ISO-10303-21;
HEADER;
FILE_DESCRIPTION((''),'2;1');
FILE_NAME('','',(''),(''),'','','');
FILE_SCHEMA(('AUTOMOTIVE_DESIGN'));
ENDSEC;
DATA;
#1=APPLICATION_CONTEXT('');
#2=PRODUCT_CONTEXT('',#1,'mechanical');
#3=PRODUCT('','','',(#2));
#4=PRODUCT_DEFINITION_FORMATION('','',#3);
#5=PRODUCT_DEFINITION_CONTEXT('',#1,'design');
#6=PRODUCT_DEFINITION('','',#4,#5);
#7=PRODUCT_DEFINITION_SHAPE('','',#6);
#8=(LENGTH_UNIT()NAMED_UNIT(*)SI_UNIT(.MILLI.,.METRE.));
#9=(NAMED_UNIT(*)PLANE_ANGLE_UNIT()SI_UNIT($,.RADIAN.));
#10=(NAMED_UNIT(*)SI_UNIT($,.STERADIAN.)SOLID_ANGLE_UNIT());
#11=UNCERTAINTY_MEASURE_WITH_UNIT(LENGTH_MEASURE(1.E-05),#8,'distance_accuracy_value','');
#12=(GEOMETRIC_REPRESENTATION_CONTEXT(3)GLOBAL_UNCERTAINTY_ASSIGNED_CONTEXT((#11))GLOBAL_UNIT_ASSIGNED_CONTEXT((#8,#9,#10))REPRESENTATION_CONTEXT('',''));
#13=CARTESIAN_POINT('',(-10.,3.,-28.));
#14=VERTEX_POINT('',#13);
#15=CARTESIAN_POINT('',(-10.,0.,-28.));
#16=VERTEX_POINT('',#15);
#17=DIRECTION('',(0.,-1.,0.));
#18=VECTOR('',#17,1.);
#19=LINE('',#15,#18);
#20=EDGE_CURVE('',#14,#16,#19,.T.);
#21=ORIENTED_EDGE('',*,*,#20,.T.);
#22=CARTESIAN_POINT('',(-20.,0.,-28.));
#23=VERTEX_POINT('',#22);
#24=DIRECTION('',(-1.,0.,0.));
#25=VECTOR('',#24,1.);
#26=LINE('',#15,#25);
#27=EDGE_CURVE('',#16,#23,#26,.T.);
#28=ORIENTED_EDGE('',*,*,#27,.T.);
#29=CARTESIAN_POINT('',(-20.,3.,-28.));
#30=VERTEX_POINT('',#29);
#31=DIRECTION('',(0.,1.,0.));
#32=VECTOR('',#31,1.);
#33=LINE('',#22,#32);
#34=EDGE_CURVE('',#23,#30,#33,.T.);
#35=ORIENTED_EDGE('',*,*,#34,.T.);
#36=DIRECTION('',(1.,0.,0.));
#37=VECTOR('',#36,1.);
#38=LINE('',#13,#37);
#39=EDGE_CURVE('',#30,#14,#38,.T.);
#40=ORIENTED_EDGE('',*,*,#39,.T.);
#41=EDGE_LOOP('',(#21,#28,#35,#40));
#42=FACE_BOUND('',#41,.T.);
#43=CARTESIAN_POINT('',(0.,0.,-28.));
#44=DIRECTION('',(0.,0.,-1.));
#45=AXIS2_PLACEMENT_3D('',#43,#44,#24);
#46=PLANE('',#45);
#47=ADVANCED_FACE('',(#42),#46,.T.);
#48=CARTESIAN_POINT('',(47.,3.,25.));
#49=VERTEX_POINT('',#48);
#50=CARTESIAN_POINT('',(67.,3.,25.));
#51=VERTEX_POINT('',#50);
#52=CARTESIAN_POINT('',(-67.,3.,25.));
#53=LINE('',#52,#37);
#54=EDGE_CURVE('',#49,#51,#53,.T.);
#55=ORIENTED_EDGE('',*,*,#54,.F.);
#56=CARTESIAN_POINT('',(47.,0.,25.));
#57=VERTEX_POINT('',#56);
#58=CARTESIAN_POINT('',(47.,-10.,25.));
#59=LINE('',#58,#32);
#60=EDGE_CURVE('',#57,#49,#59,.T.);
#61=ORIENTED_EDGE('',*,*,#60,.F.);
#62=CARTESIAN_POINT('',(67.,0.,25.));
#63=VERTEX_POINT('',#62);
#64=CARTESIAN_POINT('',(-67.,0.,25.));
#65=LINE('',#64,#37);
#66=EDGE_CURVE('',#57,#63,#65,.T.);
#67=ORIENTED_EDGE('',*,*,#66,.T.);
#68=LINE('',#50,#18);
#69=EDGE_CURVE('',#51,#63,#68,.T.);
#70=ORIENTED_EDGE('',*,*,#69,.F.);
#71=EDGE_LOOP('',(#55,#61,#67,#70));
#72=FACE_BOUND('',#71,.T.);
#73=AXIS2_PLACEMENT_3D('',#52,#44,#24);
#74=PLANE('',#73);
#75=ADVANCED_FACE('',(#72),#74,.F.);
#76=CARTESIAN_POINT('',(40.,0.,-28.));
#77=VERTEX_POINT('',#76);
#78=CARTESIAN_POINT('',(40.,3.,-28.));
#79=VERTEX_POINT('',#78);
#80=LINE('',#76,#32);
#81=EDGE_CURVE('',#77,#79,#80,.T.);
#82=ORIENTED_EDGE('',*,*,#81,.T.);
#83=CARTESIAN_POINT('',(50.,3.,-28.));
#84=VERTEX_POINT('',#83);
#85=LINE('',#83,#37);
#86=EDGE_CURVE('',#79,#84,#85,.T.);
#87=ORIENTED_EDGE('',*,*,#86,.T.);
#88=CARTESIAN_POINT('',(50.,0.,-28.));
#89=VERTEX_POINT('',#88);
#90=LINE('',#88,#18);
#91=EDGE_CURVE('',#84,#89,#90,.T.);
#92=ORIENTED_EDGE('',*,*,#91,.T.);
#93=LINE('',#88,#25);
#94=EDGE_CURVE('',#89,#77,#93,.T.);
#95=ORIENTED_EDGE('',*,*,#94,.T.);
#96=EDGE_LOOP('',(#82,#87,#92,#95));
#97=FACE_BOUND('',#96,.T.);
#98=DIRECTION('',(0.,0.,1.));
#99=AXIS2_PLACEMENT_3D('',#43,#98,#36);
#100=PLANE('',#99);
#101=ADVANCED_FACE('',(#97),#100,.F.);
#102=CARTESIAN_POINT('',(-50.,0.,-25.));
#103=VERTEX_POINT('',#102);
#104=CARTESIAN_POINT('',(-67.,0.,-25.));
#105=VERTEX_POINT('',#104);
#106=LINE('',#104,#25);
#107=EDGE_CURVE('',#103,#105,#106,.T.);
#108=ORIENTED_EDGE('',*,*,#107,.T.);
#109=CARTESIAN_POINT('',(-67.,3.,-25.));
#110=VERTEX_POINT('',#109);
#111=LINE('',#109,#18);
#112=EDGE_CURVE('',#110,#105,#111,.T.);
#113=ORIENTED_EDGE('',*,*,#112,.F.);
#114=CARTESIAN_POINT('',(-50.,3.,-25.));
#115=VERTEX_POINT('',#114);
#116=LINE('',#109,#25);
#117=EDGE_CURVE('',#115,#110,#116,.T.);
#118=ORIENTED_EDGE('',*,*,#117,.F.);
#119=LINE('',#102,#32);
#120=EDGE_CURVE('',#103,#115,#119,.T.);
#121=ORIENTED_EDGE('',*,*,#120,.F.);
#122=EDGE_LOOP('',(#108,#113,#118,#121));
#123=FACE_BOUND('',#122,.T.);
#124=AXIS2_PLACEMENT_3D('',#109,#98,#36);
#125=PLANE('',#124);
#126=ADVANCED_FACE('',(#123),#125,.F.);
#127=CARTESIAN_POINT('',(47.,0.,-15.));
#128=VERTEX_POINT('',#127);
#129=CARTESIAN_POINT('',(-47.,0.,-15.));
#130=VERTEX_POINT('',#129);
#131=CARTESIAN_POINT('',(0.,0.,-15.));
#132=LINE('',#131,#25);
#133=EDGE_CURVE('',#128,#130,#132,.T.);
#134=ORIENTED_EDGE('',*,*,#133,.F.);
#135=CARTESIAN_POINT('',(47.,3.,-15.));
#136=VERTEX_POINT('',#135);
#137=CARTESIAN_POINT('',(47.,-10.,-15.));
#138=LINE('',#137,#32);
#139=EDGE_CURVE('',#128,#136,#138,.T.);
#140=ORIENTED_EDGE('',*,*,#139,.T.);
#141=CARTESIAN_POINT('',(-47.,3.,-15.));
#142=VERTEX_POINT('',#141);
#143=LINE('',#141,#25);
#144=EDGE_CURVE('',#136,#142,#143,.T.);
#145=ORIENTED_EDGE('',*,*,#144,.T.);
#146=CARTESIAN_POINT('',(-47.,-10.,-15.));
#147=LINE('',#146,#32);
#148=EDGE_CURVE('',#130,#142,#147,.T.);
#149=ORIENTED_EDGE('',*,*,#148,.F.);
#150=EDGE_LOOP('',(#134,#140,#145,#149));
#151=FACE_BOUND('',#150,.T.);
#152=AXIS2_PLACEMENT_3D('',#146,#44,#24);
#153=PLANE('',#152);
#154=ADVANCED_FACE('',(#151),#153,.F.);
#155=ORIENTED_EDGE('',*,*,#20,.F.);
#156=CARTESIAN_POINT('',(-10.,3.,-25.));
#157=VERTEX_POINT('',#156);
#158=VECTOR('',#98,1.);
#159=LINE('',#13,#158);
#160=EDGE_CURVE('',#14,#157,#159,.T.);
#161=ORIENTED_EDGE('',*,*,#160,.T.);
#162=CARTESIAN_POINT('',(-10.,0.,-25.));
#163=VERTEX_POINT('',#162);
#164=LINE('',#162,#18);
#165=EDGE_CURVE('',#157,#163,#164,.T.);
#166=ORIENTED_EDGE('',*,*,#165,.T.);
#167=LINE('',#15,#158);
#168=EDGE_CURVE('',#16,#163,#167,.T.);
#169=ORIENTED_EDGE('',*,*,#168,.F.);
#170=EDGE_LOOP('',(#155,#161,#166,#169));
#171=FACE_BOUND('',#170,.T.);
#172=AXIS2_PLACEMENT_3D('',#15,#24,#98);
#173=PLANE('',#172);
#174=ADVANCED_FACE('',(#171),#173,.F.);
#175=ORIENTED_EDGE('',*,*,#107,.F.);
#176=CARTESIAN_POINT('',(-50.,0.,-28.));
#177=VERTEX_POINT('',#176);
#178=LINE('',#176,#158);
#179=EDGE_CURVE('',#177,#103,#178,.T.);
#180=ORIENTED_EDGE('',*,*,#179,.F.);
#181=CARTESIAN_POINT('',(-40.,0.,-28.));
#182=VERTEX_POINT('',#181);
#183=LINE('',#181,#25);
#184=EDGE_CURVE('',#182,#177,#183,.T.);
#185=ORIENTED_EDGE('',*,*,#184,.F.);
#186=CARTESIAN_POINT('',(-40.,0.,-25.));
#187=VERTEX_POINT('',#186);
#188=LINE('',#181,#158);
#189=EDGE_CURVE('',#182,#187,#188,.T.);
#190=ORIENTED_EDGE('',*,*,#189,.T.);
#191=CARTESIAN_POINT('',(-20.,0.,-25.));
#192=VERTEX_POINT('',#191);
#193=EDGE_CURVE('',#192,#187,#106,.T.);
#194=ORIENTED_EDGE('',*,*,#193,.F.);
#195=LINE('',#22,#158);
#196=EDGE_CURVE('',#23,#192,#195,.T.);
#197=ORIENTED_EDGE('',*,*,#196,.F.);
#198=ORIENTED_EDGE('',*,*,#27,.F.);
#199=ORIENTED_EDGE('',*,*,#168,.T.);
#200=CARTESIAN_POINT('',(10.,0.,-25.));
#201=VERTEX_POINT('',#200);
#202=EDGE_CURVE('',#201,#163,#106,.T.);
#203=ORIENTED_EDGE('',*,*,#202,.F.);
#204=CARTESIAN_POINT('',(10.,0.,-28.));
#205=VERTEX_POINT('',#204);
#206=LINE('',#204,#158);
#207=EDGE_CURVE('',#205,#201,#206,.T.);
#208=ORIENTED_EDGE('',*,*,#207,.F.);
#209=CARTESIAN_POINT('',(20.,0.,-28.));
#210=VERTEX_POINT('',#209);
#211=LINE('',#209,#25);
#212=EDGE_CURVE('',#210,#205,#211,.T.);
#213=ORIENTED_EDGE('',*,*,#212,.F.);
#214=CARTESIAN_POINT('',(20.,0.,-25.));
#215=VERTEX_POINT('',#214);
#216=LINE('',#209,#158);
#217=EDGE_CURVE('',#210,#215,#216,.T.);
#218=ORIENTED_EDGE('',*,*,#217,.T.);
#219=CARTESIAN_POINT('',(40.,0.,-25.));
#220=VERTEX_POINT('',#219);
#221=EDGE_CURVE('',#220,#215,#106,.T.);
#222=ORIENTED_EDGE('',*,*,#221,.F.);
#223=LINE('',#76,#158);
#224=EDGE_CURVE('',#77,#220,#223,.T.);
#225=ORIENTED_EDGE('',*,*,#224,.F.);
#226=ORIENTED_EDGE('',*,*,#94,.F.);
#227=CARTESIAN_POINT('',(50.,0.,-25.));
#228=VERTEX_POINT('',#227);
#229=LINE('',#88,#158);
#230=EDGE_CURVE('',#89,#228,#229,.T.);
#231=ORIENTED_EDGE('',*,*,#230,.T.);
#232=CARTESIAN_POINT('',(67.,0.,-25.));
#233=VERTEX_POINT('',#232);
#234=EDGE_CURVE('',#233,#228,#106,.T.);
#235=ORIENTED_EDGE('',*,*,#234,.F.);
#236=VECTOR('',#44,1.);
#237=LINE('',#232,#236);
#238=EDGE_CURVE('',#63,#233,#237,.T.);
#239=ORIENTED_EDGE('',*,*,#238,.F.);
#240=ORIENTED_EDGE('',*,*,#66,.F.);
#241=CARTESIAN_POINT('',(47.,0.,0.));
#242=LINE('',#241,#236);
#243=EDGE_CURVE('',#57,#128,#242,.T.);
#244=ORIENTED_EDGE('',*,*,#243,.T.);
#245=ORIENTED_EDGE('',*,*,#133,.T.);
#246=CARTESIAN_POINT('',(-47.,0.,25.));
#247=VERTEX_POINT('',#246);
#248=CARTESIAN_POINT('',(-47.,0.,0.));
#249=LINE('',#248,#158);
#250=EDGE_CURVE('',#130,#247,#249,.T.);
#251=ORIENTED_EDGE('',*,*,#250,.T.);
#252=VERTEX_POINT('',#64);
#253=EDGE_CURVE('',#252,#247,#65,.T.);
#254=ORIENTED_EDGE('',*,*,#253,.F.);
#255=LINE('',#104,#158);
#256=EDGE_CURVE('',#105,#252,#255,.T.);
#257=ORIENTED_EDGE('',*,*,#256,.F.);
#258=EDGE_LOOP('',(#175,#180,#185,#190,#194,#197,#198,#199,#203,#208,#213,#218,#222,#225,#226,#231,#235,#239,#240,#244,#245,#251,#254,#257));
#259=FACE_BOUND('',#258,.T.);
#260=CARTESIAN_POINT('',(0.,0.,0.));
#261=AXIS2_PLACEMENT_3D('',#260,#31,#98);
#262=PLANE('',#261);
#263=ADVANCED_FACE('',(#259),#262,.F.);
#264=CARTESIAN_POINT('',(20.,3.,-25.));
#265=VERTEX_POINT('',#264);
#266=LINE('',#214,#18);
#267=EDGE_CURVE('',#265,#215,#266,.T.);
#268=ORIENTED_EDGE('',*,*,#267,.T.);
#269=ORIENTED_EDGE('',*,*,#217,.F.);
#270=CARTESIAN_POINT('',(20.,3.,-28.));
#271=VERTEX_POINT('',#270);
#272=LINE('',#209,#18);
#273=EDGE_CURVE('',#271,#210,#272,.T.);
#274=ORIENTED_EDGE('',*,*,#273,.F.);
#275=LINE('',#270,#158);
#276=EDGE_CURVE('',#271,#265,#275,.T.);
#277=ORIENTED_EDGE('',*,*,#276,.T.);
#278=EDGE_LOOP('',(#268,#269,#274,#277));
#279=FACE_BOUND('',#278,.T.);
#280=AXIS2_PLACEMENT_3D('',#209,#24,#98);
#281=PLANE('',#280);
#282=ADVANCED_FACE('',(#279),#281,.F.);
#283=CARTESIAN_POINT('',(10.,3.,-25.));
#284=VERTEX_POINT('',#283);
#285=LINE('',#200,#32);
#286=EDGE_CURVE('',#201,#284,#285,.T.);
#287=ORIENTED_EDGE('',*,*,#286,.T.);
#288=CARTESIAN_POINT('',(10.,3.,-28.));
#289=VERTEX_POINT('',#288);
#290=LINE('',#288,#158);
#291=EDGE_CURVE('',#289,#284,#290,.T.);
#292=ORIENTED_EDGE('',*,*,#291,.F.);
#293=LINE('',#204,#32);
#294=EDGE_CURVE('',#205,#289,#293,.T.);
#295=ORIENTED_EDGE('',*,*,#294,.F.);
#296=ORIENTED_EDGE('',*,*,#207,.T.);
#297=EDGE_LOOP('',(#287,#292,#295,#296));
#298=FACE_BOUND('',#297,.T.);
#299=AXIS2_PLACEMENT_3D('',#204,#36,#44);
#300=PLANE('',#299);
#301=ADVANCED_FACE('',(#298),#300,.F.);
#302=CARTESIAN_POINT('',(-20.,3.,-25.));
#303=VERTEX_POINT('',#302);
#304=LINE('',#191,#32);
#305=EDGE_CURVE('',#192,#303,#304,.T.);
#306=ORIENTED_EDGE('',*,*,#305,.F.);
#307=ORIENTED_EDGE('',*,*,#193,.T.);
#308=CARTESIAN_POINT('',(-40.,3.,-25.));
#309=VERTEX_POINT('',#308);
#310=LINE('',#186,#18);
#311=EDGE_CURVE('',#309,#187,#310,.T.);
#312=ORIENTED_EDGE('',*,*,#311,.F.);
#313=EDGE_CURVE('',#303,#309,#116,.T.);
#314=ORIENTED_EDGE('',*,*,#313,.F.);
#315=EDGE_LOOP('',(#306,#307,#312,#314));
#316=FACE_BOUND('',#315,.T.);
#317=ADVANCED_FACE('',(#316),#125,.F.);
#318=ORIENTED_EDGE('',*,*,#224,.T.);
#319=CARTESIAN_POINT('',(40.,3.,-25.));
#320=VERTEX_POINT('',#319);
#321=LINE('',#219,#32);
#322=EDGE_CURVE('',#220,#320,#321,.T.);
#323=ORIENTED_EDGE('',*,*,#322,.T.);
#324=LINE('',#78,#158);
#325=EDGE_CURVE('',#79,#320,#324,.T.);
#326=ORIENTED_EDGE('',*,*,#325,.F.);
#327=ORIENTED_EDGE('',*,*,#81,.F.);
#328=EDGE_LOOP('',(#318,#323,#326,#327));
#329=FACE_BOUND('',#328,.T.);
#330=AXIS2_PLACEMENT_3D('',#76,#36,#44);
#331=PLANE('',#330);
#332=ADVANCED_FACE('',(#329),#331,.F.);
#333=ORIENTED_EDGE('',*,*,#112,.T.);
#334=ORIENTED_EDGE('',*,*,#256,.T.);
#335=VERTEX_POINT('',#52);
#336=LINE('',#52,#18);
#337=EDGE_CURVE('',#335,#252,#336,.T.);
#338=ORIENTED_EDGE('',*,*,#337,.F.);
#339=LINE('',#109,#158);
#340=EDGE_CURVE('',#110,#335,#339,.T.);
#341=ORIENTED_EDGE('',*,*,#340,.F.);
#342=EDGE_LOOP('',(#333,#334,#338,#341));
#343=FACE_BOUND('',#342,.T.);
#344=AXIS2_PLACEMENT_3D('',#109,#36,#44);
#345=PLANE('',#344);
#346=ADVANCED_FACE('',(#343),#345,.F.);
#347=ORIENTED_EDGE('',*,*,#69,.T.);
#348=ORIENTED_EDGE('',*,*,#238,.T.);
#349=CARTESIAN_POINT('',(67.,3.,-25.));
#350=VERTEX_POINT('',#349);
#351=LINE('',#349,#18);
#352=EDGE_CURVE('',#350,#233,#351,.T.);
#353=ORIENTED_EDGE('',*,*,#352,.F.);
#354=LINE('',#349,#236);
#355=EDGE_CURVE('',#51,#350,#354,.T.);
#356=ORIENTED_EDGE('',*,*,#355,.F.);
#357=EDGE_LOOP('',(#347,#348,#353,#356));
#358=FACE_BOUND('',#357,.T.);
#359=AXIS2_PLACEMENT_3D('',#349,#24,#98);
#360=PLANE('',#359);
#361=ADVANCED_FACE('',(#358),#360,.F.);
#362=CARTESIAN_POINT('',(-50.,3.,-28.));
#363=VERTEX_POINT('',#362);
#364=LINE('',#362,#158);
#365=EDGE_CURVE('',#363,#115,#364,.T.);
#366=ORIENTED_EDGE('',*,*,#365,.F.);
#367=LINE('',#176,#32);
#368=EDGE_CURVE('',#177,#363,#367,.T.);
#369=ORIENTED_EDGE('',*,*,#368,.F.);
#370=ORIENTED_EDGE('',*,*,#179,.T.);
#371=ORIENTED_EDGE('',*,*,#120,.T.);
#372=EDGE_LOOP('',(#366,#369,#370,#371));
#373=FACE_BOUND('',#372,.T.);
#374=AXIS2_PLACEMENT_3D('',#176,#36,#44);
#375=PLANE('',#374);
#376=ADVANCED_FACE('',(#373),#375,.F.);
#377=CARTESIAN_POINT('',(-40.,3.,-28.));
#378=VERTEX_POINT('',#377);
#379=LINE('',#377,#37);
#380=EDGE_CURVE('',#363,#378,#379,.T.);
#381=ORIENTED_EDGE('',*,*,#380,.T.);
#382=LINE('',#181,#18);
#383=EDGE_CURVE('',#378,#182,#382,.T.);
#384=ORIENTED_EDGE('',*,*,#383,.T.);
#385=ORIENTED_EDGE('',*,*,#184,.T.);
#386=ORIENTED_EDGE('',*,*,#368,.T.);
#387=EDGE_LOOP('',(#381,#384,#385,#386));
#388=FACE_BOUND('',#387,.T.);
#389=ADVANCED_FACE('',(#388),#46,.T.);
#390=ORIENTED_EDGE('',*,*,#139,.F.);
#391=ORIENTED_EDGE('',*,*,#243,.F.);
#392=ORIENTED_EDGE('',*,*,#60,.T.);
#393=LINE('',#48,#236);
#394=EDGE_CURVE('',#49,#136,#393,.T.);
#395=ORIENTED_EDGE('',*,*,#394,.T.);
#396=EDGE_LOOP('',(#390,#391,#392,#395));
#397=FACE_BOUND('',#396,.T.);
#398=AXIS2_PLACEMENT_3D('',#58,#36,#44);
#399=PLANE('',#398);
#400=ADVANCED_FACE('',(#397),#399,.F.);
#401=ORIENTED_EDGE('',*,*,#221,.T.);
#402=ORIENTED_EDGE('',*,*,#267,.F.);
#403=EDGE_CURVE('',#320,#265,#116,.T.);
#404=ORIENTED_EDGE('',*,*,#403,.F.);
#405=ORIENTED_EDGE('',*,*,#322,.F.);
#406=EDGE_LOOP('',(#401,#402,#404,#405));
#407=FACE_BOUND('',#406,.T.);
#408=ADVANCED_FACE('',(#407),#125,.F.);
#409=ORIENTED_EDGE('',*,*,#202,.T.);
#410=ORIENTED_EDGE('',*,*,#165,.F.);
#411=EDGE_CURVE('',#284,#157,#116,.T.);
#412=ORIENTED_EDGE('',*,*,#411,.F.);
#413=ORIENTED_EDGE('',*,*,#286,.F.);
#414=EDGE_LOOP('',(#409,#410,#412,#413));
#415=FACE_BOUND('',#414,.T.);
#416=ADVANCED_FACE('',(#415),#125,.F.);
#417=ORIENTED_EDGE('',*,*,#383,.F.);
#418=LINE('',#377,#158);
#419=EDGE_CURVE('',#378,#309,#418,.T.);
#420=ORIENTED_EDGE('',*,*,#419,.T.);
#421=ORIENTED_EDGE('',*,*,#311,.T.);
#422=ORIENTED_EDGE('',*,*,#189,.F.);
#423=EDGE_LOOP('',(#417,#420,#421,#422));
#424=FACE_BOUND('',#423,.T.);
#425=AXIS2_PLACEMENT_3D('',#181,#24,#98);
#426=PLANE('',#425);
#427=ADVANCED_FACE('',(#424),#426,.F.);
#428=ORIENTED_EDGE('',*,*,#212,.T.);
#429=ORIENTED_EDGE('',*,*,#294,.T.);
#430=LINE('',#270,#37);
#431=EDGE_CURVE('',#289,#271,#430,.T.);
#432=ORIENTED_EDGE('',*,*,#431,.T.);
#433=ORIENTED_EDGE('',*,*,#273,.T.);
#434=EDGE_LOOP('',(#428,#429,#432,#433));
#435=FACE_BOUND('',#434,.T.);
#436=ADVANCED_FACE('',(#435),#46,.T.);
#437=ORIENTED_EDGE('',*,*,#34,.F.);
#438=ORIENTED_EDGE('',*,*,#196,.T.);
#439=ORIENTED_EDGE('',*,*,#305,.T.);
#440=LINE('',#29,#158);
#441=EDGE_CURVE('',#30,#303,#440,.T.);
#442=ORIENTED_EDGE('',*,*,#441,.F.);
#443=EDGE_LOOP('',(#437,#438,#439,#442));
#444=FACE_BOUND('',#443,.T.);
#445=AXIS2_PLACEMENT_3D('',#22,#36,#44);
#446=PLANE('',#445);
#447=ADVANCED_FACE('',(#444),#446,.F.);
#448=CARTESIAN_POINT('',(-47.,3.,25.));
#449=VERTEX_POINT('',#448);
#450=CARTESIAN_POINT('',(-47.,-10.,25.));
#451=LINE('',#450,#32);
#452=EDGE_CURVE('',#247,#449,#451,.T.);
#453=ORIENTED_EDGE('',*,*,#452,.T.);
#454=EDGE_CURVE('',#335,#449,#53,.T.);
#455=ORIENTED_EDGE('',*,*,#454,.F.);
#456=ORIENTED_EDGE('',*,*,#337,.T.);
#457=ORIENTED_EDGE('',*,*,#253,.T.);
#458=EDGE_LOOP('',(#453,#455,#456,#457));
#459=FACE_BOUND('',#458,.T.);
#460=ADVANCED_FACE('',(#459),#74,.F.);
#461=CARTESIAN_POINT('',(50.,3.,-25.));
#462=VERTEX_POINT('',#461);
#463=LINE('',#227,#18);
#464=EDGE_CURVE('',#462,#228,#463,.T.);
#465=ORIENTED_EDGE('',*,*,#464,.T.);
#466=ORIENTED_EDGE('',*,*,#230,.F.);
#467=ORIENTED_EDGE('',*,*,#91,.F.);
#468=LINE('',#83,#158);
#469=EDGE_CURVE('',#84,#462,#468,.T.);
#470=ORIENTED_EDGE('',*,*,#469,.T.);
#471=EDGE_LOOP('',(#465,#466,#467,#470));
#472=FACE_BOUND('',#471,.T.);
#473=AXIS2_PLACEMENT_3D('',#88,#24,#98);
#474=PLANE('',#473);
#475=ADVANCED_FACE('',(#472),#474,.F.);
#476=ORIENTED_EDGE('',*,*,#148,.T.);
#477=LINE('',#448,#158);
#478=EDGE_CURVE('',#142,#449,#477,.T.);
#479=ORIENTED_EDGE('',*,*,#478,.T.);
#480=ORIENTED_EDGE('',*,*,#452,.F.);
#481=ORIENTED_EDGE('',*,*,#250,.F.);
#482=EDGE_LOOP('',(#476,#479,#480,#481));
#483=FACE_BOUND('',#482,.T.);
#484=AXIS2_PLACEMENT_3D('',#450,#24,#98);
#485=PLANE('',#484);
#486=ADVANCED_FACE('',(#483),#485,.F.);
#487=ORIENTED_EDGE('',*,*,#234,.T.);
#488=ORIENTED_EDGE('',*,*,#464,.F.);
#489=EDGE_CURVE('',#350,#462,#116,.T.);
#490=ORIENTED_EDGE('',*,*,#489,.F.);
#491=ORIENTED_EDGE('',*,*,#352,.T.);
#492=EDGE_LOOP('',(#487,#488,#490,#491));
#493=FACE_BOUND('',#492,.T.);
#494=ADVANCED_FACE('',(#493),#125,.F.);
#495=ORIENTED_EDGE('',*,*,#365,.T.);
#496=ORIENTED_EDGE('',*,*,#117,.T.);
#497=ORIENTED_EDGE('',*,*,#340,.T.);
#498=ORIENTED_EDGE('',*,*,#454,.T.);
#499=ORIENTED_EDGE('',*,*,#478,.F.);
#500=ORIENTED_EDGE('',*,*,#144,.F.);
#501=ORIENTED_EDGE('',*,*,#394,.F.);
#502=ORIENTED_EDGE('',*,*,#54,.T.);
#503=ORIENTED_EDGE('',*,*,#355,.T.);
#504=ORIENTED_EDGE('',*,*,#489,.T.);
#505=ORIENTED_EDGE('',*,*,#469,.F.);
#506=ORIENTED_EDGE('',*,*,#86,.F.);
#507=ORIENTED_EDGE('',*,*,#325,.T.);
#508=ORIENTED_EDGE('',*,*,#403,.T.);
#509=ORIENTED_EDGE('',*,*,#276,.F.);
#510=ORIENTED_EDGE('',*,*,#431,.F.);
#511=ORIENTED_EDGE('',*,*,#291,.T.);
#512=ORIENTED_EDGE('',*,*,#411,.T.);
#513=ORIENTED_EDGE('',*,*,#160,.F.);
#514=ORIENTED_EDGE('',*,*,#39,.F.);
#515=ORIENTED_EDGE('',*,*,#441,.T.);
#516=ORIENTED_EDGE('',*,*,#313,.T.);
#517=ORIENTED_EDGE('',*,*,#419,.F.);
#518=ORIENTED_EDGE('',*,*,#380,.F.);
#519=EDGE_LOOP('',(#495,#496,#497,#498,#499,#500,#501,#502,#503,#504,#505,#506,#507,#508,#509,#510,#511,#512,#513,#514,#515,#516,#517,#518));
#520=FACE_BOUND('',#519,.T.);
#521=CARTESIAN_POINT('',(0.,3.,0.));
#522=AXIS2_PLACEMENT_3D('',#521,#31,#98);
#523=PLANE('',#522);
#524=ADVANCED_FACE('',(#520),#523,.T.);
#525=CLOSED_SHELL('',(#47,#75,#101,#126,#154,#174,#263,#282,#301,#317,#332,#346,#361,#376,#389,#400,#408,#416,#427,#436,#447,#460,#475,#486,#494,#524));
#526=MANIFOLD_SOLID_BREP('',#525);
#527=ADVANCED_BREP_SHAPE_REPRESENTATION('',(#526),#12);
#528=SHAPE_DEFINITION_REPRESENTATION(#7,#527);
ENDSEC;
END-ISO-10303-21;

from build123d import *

# Parameters (mm, degrees)
SKETCH1_W           = 134
SKETCH1_H           = 50
BOSS_EXTRUDE1_DEPTH = 3
SKETCH2_W           = 94
SKETCH2_H           = 40
CUT_EXTRUDE1_DEPTH  = 13
SKETCH3_W           = 10
SKETCH3_H           = 3
BOSS_EXTRUDE2_DEPTH = 3


with BuildPart() as part:
    # Sketch1 → Boss-Extrude1 (new body)
    with BuildSketch(Plane(origin=(0, 0, 0), x_dir=(1, 0, 0), z_dir=(0, 1, 0))):
        Rectangle(SKETCH1_W, SKETCH1_H)
    extrude(amount=BOSS_EXTRUDE1_DEPTH)

    # Sketch2 → Cut-Extrude1 (cut)
    with BuildSketch(Plane(origin=(0, 3, 0), x_dir=(1, 0, 0), z_dir=(0, 1, 0))):
        with Locations((0, -5)):
            Rectangle(SKETCH2_W, SKETCH2_H)
    extrude(amount=-CUT_EXTRUDE1_DEPTH, mode=Mode.SUBTRACT)

    # Sketch3 → Boss-Extrude2 (add)
    with BuildSketch(Plane(origin=(0, 0, -25), x_dir=(-1, 0, 0), z_dir=(0, 0, -1))):
        with Locations((-45, 1.5)):
            Rectangle(SKETCH3_W, SKETCH3_H)
        with Locations((-15, 1.5)):
            Rectangle(SKETCH3_W, SKETCH3_H)
        with Locations((15, 1.5)):
            Rectangle(SKETCH3_W, SKETCH3_H)
        with Locations((45, 1.5)):
            Rectangle(SKETCH3_W, SKETCH3_H)
    extrude(amount=BOSS_EXTRUDE2_DEPTH)


solid = part.part
